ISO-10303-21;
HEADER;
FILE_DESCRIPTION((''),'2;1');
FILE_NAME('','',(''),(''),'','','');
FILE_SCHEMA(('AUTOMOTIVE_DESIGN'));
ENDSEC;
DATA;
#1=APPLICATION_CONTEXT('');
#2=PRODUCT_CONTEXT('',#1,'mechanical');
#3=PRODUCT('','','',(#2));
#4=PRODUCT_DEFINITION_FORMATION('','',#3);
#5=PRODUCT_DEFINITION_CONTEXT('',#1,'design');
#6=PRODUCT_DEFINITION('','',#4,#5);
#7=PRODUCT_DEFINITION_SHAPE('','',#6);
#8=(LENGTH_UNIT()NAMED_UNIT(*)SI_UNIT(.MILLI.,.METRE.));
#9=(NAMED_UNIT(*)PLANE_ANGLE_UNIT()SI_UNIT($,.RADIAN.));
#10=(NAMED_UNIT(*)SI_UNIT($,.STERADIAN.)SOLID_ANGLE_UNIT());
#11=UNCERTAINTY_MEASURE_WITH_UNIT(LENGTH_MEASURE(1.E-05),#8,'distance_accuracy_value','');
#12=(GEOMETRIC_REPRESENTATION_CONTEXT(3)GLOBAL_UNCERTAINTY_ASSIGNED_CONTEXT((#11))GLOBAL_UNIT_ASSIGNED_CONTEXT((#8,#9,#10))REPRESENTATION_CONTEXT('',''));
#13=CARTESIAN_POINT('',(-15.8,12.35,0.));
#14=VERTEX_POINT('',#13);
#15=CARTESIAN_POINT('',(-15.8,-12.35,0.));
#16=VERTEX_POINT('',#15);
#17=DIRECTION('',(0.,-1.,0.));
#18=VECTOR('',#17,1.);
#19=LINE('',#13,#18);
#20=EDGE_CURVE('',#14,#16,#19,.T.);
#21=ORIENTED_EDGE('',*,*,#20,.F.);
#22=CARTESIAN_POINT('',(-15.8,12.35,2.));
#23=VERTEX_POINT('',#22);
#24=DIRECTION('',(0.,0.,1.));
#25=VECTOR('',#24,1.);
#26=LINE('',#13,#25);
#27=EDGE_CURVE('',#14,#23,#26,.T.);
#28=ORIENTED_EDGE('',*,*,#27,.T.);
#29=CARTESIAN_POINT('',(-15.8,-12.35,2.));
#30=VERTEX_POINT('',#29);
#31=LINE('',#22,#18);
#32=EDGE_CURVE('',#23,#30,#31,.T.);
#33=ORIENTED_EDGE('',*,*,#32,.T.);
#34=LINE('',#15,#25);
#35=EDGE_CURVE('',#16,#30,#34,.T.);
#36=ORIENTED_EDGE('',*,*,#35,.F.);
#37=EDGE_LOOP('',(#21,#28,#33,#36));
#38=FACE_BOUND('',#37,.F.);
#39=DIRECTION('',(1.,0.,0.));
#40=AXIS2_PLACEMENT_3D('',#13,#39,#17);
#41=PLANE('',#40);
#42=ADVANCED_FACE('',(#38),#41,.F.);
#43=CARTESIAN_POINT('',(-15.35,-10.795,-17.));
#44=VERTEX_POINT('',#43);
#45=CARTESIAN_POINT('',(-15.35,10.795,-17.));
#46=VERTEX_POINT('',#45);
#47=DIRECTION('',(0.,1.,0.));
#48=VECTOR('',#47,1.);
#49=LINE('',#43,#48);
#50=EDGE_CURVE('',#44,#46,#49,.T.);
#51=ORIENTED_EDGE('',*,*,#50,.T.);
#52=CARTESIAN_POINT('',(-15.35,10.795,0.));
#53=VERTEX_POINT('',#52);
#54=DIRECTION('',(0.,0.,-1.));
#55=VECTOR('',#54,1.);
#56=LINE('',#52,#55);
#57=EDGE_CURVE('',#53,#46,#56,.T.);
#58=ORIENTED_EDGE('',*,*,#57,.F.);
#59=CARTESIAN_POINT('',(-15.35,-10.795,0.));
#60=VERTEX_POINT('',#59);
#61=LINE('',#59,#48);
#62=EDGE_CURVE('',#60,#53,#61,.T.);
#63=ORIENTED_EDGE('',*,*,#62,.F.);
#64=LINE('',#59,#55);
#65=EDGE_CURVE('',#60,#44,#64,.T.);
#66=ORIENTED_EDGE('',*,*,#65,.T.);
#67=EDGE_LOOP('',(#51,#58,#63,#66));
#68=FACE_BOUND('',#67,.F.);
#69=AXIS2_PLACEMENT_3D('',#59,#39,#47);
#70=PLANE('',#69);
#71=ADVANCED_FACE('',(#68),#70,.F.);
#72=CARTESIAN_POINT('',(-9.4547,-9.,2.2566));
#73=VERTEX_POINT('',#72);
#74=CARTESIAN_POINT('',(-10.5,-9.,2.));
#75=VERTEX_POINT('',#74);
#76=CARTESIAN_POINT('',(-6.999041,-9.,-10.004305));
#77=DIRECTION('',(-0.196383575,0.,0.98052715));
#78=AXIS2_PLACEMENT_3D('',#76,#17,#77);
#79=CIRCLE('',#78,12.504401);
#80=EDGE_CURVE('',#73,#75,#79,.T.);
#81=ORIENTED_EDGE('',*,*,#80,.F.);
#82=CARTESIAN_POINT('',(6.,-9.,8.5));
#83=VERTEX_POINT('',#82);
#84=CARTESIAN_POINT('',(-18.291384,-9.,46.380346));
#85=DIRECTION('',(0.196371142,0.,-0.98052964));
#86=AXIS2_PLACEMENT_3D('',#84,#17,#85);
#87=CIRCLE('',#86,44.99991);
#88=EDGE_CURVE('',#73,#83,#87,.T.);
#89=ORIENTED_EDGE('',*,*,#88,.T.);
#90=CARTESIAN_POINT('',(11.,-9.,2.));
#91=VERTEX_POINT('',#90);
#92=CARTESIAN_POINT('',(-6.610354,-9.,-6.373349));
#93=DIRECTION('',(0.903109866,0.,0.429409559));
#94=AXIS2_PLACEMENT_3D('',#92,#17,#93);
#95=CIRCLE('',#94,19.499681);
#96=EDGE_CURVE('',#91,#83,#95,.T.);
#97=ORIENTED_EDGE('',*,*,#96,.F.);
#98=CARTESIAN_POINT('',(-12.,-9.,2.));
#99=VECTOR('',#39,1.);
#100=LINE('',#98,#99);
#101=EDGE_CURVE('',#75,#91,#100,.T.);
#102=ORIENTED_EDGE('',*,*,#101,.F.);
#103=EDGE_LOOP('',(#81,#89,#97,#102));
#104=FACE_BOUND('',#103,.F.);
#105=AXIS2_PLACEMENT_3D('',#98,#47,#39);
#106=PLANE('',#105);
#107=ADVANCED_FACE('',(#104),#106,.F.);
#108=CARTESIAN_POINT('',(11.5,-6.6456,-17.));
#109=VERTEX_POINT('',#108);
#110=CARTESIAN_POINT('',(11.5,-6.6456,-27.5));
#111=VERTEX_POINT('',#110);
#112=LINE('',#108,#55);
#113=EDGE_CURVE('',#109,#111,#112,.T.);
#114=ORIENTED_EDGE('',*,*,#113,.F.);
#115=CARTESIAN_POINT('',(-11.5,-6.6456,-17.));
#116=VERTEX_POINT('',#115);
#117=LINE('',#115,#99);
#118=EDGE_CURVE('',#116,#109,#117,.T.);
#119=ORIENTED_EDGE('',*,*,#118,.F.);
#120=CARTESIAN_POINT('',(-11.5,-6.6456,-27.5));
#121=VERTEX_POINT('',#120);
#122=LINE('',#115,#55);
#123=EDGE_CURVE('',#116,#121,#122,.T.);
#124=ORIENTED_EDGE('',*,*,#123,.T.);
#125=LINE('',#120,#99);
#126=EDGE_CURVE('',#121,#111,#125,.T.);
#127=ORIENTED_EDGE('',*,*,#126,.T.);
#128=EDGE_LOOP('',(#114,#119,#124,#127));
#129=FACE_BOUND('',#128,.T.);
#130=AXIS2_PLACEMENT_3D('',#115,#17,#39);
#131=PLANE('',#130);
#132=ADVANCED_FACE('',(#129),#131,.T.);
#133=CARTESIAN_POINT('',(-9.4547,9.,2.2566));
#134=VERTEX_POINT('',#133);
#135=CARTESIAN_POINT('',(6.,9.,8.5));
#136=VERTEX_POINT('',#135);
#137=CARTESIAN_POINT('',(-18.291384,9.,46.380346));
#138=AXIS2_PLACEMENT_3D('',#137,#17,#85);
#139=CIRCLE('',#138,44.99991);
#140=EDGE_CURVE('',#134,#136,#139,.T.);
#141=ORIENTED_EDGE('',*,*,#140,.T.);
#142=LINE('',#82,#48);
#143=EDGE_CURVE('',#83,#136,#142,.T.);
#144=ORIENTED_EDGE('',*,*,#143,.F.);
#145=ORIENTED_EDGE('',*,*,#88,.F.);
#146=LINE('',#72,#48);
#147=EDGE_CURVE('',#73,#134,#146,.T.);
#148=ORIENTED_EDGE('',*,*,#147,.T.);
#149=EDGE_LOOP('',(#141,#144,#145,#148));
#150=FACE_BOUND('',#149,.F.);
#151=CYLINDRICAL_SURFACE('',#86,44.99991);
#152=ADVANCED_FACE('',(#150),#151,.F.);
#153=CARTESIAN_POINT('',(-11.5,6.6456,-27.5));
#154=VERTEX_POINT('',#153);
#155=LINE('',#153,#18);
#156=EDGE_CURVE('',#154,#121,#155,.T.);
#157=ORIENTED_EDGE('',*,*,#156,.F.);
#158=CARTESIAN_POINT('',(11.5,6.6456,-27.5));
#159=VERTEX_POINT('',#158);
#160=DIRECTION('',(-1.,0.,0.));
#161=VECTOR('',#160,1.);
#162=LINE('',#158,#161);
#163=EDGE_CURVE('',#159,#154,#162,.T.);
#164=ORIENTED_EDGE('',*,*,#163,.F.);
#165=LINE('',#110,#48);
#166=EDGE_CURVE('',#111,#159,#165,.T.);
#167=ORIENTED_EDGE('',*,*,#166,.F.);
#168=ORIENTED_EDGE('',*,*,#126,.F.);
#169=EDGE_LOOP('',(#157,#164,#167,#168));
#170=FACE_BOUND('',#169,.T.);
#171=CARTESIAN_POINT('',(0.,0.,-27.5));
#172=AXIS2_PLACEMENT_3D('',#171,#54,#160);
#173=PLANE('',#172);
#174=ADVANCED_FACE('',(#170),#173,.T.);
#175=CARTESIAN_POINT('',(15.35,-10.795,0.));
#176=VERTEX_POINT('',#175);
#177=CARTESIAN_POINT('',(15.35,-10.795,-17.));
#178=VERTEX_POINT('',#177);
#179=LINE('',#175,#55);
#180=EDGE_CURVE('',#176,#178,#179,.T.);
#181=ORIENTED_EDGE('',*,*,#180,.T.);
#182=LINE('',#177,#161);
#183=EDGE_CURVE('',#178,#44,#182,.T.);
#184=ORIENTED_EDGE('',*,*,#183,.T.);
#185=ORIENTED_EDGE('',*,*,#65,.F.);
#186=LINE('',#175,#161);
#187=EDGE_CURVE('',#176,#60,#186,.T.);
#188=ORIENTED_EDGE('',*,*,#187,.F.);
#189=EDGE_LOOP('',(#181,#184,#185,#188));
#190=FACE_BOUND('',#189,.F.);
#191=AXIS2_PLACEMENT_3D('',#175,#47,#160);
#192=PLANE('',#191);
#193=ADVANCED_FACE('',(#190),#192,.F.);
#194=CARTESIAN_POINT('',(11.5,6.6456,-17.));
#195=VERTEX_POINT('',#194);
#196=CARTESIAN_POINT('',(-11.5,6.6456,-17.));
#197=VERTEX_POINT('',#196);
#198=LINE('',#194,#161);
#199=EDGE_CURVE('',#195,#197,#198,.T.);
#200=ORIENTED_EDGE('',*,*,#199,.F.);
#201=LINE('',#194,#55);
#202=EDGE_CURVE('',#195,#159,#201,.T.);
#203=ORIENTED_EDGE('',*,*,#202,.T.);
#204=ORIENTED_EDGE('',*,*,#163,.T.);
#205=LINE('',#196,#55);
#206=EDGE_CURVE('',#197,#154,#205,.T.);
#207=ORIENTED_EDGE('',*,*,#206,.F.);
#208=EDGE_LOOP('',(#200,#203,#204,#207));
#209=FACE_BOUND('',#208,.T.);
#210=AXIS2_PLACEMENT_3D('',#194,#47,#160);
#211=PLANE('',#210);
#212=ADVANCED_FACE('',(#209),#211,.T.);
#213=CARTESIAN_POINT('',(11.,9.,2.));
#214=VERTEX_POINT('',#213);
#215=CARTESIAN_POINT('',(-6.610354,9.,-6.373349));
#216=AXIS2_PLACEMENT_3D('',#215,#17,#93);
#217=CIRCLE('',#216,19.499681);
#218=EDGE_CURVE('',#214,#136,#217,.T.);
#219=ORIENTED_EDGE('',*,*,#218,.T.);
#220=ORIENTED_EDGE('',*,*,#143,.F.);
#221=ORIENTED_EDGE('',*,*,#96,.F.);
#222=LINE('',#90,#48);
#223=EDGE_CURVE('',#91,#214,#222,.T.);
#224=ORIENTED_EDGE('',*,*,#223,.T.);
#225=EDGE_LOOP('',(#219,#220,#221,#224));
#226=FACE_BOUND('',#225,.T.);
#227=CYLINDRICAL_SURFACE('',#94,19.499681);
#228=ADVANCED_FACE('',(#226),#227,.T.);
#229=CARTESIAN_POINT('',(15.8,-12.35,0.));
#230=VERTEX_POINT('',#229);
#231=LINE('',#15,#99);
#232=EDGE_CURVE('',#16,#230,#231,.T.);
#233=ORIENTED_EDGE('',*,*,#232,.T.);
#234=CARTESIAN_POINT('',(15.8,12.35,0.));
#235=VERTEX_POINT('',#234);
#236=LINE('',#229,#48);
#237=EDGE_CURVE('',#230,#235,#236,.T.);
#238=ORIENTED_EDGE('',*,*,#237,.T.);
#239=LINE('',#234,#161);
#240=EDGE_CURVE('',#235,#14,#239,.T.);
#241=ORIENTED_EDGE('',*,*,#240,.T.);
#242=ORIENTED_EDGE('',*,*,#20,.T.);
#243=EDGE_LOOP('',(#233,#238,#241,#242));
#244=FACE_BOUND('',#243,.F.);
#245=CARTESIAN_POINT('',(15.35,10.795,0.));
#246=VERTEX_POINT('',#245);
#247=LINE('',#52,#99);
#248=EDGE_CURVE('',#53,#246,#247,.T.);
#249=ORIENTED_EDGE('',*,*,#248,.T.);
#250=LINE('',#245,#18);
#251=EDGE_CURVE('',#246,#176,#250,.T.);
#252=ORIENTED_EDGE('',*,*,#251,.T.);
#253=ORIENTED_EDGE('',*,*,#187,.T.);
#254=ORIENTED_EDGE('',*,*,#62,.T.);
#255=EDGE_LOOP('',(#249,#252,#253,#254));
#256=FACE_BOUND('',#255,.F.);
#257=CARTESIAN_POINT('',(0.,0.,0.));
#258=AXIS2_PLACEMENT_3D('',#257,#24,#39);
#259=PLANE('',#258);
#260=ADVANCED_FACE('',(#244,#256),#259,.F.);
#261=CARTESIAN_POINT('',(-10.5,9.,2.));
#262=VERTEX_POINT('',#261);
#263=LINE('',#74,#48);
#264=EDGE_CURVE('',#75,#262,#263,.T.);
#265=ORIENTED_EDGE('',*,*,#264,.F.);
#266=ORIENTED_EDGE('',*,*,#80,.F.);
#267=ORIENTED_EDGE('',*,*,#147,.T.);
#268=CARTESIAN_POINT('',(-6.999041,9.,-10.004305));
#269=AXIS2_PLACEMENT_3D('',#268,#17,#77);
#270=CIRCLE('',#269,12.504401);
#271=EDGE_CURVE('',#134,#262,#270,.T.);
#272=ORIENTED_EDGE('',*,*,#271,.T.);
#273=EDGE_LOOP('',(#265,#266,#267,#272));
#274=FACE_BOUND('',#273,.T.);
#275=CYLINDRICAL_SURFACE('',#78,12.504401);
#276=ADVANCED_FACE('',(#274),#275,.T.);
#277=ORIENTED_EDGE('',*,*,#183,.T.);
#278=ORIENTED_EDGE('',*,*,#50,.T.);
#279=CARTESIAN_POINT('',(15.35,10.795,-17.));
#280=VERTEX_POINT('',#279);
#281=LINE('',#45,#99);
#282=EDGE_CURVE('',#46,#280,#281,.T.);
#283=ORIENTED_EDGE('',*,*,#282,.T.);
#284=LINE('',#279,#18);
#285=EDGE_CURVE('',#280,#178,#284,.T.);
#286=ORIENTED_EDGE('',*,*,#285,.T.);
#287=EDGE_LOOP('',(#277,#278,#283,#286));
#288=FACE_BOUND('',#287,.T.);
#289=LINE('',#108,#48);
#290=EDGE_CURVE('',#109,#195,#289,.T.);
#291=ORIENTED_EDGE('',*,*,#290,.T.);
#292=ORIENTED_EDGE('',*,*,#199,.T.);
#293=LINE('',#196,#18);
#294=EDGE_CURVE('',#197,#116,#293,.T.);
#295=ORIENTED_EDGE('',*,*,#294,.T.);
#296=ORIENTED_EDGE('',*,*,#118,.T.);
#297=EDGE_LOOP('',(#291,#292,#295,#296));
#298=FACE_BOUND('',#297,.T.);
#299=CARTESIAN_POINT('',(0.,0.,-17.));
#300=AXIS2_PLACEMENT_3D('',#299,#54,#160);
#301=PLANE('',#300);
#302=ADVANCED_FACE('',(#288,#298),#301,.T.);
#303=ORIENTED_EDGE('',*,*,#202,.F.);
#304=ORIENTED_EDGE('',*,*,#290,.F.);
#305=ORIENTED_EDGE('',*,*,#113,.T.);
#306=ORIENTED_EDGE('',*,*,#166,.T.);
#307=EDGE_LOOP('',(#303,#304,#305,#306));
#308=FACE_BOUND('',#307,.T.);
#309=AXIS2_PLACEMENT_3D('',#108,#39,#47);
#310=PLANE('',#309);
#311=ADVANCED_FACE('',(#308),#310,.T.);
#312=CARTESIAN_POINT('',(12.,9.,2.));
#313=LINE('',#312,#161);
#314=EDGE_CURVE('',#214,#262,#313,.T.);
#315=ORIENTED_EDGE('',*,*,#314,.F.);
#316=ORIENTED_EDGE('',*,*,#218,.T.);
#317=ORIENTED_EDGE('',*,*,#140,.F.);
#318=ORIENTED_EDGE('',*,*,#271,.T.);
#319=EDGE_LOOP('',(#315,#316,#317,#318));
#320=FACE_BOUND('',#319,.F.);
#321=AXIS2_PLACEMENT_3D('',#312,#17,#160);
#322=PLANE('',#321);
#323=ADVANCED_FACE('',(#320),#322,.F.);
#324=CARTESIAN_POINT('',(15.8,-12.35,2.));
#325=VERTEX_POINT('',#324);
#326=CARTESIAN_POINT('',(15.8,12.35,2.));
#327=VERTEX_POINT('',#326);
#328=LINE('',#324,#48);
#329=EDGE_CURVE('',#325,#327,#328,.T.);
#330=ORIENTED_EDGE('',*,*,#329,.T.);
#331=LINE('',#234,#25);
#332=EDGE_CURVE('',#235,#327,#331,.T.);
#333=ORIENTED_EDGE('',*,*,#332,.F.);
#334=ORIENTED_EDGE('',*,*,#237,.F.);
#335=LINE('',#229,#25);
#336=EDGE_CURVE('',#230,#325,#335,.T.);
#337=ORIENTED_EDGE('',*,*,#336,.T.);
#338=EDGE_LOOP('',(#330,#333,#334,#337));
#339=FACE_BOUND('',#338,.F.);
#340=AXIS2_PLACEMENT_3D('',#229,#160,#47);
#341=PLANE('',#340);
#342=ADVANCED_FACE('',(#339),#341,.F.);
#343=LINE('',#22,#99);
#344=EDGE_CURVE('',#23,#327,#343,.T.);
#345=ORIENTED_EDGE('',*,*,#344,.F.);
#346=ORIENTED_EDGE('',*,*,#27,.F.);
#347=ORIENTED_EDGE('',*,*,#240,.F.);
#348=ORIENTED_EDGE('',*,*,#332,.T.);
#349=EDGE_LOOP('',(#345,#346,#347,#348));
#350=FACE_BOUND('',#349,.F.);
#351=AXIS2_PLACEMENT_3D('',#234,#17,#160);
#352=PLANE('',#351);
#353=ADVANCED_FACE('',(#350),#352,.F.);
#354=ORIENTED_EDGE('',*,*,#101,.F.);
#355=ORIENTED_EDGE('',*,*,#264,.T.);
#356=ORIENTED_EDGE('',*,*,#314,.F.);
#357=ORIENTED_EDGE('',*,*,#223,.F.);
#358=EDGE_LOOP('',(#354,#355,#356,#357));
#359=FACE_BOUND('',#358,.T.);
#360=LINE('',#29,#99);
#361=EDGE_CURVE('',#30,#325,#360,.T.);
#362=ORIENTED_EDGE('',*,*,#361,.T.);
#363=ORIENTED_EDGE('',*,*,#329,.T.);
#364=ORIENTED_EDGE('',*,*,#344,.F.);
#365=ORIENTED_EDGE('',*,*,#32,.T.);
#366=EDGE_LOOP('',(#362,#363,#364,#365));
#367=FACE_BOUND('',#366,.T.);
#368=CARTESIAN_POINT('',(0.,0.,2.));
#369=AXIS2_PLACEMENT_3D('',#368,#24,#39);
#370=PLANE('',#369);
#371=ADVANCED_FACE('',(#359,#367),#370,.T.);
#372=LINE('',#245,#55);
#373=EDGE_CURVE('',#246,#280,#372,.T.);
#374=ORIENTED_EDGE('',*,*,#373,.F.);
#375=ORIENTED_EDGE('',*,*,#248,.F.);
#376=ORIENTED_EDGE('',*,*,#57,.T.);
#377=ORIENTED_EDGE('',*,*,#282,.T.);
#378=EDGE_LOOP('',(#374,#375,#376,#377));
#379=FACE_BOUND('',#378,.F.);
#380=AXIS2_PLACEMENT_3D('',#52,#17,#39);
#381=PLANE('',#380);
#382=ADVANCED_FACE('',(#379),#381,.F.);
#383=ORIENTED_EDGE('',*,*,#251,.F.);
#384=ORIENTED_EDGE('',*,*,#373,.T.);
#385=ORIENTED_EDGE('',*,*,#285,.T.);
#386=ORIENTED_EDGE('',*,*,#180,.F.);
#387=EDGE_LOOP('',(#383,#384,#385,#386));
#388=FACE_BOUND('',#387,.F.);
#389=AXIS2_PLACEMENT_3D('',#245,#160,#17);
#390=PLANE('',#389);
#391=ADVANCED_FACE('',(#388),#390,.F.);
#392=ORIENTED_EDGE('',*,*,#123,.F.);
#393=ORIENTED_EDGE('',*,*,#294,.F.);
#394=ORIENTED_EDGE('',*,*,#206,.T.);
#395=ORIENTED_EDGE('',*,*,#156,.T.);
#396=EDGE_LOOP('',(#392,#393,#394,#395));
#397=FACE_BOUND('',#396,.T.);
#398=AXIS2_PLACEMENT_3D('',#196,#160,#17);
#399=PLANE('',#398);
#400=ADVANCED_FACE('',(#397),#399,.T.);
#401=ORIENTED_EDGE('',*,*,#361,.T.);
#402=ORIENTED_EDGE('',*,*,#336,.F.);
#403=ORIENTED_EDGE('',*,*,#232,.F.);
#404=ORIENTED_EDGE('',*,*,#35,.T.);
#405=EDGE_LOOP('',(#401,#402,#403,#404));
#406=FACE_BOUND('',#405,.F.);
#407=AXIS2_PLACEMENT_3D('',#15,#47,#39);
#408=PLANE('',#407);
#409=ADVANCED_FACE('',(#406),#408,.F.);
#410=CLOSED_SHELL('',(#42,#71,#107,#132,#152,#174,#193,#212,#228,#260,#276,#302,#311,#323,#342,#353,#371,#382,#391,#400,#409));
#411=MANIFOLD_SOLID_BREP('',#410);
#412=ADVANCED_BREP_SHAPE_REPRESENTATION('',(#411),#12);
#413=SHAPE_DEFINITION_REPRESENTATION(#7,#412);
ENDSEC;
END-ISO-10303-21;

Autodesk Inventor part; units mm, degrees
ref_plane "YZ Plane" through (0, 0, 0) normal (1, 0, 0) x (0, 1, 0)
ref_plane "XZ Plane" through (0, 0, 0) normal (0, 1, 0) x (-1, 0, 0)
ref_plane "XY Plane" through (0, 0, 0) normal (0, 0, 1) x (1, 0, 0)
sketch "Base" plane through (0, 0, 0) normal (0, 0, 1) x (1, 0, 0)
  line L0 (-15.8, -12.35) -> (15.8, -12.35)
  line L1 (15.8, -12.35) -> (15.8, 12.35)
  line L2 (15.8, 12.35) -> (-15.8, 12.35)
  line L3 (-15.8, 12.35) -> (-15.8, -12.35)
  line L4 (-15.8, -12.35) -> (15.8, 12.35) construction
  line L5 (15.8, -12.35) -> (-15.8, 12.35) construction
  point P0 (0, 0)
  dimension "d0" = 31.6
  dimension "d1" = 24.7
extrude "BaseFeature" add sketch "Base" along normal blind 2
sketch "Switch" plane through (0, 0, 2) normal (0, 0, 1) x (1, 0, 0)
  line L0 (-12, -9) -> (12, -9)
  line L1 (12, -9) -> (12, 9)
  line L2 (12, 9) -> (-12, 9)
  line L3 (-12, 9) -> (-12, -9)
  line L4 (-12, -9) -> (12, 9) construction
  line L5 (12, -9) -> (-12, 9) construction
  point P0 (0, 0)
  dimension "d4" = 24
  dimension "d7" = 18
extrude "SwitchFeature" add sketch "Switch" along normal blind 6.5
sketch "SwitchProfile" plane through (-12, -9, 2) normal (0, -1, 0) x (1, 0, 0)
  line L0 (27.8, 0) -> (-3.8, 0) projected
  line L1 (24, 6.5) -> (0, 6.5) projected
  arc A0 (23, 0) -> (18, 6.5) centre (5.3894, -8.3735) ccw
  arc A1 (2.5453, 0.2566) -> (18, 6.5) centre (-6.2914, 44.3804) ccw
  arc A2 (2.5453, 0.2566) -> (1.5, 0) centre (5, -12) ccw
  line L2 (24, 0) -> (24, 6.5) projected
  line L3 (0, 0) -> (0, 6.5) projected
  point P0 (12, -2)
  point P1 (0, 3.25)
  dimension "d8" = 6
  dimension "d10" = 45
  dimension "d11" = 19.5
  dimension "d13" = 12.5
  dimension "d14" = 1
  dimension "d15" = 12
  dimension "d16" = 19
extrude "SwitchProfileFeature" cut sketch "SwitchProfile" against normal through all contours L0 A0 L1 L2 | L0 L3 L1 A1 A2
sketch "Body" plane through (0, 0, 0) normal (0, 0, -1) x (-1, 0, 0)
  line L0 (-15.35, -10.795) -> (15.35, -10.795)
  line L1 (15.35, -10.795) -> (15.35, 10.795)
  line L2 (15.35, 10.795) -> (-15.35, 10.795)
  line L3 (-15.35, 10.795) -> (-15.35, -10.795)
  line L4 (-15.35, -10.795) -> (15.35, 10.795) construction
  line L5 (15.35, -10.795) -> (-15.35, 10.795) construction
  line L6 (15.8, -12.35) -> (-15.8, -12.35) projected
  line L7 (15.8, 12.35) -> (15.8, -12.35) projected
  point P0 (0, 0)
  dimension "d19" = 21.59
  dimension "d20" = 1.555
  dimension "d29" = 30.7
extrude "BodyFeature" add sketch "Body" along normal blind 17
sketch "Pins" plane through (0, 0, -17) normal (0, 0, -1) x (-1, 0, 0)
  line L0 (11.5, -6.6456) -> (-11.5, -6.6456)
  line L1 (-11.5, -6.6456) -> (-11.5, 6.6456)
  line L2 (-11.5, 6.6456) -> (11.5, 6.6456)
  line L3 (11.5, 6.6456) -> (11.5, -6.6456)
  line L4 (11.5, -6.6456) -> (-11.5, 6.6456) construction
  line L5 (-11.5, -6.6456) -> (11.5, 6.6456) construction
  line L6 (-15.35, -10.795) -> (15.35, -10.795) projected
  point P0 (0, 0)
  point P1 (0, -10.795)
  dimension "d25" = 23
extrude "PinsFeature" add sketch "Pins" along normal blind 10.5
properties part number "IlluminatedSwitch12V10A"
